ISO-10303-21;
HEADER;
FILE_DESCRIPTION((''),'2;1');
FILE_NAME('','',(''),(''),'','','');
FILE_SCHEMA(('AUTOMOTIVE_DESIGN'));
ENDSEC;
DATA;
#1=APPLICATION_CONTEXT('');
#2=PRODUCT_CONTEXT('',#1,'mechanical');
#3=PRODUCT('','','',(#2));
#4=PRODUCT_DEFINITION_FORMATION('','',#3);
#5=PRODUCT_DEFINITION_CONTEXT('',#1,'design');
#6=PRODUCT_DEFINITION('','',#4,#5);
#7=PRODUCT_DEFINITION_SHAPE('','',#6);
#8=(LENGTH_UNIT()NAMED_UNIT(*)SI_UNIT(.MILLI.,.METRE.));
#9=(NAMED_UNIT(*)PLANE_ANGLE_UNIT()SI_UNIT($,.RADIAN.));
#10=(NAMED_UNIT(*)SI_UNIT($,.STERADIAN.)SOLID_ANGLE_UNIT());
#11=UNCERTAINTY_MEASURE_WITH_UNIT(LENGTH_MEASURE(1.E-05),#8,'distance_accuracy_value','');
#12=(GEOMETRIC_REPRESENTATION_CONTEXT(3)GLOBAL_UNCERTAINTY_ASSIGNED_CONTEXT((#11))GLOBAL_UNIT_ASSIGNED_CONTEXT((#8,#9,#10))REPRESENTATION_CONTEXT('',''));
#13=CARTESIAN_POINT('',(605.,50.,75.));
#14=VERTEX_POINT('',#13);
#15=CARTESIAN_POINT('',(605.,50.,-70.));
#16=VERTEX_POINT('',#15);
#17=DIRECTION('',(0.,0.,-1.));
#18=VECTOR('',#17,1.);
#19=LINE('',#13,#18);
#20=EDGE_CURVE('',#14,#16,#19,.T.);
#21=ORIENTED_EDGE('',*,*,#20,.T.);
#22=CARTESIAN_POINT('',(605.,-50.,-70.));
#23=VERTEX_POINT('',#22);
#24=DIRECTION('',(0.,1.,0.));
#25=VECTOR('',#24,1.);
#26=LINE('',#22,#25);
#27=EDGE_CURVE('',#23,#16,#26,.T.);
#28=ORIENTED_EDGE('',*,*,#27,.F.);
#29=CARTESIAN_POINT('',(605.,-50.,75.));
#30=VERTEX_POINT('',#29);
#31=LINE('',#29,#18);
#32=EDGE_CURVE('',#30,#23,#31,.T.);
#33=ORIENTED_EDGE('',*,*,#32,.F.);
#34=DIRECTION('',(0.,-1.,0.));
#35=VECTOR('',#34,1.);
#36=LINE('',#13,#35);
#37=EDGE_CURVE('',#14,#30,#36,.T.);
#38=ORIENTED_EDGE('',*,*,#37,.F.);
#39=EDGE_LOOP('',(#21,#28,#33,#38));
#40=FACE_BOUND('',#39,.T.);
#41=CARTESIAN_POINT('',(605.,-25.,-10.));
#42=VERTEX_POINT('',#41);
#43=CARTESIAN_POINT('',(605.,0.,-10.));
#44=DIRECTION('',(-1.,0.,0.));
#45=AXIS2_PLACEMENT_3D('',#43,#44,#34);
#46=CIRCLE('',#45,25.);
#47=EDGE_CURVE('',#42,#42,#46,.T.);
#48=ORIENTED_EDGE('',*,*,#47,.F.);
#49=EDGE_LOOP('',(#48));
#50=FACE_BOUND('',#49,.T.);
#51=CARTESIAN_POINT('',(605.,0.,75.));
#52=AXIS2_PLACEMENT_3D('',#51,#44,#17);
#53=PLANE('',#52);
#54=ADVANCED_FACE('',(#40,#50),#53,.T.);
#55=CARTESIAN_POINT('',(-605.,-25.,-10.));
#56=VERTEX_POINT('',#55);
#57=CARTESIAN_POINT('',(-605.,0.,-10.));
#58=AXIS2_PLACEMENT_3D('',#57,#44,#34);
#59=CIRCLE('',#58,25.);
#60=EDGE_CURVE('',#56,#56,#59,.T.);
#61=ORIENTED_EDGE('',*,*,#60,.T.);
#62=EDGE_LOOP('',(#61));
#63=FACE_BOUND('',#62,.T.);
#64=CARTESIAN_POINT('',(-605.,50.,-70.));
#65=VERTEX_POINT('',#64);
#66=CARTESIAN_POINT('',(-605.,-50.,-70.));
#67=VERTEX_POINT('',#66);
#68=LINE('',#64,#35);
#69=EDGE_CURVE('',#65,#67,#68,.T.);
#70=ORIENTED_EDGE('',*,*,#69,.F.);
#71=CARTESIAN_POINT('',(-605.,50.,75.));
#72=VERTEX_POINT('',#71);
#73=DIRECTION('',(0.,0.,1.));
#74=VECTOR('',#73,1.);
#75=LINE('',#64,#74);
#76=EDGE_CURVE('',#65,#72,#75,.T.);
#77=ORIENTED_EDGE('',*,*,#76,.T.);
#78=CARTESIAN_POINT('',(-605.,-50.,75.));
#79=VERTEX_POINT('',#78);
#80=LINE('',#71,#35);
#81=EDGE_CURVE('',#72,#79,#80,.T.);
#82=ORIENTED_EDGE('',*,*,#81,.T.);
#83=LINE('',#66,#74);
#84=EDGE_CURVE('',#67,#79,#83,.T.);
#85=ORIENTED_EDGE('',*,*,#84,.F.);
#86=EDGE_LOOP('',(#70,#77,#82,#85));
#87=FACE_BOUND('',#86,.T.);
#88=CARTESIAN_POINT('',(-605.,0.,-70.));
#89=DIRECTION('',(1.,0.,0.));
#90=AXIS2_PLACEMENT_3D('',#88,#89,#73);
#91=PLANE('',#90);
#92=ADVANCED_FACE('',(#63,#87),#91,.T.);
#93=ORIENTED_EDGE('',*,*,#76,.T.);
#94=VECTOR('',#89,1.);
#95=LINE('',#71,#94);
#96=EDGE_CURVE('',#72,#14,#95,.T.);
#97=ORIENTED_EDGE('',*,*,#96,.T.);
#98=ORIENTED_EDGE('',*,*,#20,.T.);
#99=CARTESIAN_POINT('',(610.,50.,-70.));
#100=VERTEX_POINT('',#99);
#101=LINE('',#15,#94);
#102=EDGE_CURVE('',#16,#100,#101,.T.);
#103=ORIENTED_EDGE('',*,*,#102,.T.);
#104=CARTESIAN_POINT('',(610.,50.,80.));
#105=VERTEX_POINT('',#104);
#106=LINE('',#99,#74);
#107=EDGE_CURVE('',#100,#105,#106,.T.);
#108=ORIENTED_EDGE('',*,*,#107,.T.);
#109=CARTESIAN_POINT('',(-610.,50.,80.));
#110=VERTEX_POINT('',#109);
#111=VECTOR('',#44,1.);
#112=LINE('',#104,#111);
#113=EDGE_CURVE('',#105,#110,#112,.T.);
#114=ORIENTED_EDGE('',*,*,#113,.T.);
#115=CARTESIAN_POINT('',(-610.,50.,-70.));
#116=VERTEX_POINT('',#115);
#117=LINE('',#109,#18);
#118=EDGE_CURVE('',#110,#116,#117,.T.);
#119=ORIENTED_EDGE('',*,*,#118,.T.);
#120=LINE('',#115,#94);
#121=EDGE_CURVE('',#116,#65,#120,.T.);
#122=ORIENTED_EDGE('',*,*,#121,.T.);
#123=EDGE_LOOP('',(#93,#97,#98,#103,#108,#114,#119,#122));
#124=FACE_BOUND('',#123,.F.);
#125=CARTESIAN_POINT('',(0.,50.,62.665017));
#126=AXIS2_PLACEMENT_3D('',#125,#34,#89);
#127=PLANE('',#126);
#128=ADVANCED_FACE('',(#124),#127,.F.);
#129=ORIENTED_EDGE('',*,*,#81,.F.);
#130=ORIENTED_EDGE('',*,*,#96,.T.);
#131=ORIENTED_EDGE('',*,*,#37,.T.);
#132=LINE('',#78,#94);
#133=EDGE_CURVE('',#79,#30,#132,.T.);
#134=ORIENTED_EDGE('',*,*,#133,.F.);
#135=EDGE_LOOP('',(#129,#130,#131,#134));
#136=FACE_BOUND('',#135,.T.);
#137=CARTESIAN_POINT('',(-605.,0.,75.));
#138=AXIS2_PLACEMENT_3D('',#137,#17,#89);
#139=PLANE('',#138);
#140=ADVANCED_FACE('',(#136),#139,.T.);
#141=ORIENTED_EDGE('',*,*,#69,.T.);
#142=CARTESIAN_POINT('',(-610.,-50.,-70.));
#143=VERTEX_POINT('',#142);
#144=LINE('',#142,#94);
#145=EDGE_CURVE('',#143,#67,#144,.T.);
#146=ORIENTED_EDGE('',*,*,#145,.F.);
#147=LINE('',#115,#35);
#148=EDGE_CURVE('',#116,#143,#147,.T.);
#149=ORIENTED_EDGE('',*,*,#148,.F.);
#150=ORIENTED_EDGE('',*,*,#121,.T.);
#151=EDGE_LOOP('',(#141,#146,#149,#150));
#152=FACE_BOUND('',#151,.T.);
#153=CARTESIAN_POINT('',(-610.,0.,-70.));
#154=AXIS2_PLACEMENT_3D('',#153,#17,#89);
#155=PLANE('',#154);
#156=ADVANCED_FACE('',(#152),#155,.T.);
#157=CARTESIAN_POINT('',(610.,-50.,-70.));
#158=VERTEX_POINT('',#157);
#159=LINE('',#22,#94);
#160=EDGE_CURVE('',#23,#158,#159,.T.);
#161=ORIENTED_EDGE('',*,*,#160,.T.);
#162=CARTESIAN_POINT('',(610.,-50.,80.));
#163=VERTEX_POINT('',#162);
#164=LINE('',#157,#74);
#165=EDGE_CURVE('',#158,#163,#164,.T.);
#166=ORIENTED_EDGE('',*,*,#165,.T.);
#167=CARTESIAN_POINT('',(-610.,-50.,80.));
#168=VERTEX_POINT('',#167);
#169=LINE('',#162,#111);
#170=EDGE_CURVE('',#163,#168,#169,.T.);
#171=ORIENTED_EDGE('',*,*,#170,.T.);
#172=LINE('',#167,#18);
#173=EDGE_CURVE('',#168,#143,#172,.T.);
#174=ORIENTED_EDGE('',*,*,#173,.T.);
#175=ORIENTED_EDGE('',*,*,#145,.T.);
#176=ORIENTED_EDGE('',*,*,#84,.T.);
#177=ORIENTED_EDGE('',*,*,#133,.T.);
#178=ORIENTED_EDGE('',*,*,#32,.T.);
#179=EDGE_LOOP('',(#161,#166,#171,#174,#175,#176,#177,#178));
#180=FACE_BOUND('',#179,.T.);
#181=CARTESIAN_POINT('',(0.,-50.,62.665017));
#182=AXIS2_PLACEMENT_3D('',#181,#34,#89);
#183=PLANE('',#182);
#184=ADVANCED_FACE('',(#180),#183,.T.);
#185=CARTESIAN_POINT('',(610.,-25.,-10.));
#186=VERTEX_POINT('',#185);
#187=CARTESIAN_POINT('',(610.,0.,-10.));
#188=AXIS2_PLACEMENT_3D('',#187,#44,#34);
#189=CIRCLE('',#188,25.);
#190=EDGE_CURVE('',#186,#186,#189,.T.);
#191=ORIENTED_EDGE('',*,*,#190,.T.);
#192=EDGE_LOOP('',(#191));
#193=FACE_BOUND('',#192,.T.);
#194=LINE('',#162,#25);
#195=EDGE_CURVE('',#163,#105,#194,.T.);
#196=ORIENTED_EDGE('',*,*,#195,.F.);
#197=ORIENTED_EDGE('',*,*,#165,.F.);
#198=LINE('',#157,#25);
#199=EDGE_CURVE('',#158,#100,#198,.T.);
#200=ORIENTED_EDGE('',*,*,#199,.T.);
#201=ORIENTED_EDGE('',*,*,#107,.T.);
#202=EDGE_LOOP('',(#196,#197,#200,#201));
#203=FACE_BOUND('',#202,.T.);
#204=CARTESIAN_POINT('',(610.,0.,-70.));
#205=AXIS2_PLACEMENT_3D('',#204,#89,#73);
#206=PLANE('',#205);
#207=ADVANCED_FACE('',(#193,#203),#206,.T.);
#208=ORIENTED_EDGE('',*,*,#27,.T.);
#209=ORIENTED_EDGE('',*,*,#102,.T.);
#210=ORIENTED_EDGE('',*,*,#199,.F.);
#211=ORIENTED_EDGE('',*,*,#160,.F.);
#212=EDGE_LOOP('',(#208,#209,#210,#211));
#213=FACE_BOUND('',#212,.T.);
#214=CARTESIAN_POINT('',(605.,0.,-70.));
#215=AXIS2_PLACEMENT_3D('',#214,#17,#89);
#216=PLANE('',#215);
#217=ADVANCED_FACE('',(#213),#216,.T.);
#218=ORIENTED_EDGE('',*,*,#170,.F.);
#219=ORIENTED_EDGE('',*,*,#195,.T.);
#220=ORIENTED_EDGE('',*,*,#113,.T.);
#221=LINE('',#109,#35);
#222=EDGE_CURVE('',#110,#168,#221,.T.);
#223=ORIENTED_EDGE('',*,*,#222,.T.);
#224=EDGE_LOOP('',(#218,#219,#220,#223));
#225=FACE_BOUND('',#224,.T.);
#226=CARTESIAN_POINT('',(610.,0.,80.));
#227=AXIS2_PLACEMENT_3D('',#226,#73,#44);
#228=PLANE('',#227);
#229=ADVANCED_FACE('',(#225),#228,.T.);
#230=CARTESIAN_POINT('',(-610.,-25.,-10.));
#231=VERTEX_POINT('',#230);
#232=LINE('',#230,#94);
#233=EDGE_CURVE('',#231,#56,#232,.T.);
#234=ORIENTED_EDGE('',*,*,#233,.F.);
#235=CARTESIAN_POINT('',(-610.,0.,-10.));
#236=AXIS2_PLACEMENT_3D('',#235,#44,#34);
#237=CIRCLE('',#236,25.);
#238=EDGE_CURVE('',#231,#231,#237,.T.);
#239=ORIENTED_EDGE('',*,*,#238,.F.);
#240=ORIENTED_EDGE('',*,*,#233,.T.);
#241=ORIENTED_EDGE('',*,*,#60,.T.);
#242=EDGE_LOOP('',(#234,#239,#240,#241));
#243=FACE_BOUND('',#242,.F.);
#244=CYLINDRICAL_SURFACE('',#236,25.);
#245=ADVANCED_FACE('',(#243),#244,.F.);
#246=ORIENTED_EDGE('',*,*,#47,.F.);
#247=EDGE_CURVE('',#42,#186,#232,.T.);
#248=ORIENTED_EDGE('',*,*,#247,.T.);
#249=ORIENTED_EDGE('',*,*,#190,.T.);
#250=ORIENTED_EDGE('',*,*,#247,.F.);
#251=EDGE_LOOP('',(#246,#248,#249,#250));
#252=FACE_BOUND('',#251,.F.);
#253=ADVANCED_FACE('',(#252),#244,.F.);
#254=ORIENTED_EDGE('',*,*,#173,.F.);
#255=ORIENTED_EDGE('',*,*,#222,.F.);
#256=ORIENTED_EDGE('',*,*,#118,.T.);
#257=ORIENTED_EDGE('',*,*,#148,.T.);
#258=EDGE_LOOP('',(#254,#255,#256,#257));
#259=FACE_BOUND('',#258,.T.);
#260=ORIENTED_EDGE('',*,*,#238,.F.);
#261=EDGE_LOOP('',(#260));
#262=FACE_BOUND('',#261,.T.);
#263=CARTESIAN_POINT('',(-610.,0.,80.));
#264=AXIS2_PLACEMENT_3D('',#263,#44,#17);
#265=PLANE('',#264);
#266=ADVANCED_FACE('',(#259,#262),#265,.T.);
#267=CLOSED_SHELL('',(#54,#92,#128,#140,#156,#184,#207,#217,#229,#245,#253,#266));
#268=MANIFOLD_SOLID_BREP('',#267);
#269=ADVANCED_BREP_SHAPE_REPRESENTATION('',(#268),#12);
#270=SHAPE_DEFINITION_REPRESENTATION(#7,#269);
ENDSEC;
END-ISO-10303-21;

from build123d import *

# Parameters (mm, degrees)
F1_DEPTH = 50
F2_R     = 25
F3_DEPTH = 1220


with BuildPart() as f1:
    # F0 (on Front) → F1 (new body, symmetric)
    with BuildSketch(Plane.XZ):
        Polygon((610, 80), (-610, 80), (-610, -70), (-605, -70), (-605, 75), (605, 75), (605, -70), (610, -70), align=None)
    extrude(amount=F1_DEPTH, both=True)

    # F2 (on face) → F3 (cut, through all)
    with BuildSketch(Plane(origin=(-610, 0, 0), x_dir=(0, -1, 0), z_dir=(-1, 0, 0))):
        with Locations((0, -10)):
            Circle(F2_R)
    extrude(amount=-F3_DEPTH, mode=Mode.SUBTRACT)


solid = f1.part
